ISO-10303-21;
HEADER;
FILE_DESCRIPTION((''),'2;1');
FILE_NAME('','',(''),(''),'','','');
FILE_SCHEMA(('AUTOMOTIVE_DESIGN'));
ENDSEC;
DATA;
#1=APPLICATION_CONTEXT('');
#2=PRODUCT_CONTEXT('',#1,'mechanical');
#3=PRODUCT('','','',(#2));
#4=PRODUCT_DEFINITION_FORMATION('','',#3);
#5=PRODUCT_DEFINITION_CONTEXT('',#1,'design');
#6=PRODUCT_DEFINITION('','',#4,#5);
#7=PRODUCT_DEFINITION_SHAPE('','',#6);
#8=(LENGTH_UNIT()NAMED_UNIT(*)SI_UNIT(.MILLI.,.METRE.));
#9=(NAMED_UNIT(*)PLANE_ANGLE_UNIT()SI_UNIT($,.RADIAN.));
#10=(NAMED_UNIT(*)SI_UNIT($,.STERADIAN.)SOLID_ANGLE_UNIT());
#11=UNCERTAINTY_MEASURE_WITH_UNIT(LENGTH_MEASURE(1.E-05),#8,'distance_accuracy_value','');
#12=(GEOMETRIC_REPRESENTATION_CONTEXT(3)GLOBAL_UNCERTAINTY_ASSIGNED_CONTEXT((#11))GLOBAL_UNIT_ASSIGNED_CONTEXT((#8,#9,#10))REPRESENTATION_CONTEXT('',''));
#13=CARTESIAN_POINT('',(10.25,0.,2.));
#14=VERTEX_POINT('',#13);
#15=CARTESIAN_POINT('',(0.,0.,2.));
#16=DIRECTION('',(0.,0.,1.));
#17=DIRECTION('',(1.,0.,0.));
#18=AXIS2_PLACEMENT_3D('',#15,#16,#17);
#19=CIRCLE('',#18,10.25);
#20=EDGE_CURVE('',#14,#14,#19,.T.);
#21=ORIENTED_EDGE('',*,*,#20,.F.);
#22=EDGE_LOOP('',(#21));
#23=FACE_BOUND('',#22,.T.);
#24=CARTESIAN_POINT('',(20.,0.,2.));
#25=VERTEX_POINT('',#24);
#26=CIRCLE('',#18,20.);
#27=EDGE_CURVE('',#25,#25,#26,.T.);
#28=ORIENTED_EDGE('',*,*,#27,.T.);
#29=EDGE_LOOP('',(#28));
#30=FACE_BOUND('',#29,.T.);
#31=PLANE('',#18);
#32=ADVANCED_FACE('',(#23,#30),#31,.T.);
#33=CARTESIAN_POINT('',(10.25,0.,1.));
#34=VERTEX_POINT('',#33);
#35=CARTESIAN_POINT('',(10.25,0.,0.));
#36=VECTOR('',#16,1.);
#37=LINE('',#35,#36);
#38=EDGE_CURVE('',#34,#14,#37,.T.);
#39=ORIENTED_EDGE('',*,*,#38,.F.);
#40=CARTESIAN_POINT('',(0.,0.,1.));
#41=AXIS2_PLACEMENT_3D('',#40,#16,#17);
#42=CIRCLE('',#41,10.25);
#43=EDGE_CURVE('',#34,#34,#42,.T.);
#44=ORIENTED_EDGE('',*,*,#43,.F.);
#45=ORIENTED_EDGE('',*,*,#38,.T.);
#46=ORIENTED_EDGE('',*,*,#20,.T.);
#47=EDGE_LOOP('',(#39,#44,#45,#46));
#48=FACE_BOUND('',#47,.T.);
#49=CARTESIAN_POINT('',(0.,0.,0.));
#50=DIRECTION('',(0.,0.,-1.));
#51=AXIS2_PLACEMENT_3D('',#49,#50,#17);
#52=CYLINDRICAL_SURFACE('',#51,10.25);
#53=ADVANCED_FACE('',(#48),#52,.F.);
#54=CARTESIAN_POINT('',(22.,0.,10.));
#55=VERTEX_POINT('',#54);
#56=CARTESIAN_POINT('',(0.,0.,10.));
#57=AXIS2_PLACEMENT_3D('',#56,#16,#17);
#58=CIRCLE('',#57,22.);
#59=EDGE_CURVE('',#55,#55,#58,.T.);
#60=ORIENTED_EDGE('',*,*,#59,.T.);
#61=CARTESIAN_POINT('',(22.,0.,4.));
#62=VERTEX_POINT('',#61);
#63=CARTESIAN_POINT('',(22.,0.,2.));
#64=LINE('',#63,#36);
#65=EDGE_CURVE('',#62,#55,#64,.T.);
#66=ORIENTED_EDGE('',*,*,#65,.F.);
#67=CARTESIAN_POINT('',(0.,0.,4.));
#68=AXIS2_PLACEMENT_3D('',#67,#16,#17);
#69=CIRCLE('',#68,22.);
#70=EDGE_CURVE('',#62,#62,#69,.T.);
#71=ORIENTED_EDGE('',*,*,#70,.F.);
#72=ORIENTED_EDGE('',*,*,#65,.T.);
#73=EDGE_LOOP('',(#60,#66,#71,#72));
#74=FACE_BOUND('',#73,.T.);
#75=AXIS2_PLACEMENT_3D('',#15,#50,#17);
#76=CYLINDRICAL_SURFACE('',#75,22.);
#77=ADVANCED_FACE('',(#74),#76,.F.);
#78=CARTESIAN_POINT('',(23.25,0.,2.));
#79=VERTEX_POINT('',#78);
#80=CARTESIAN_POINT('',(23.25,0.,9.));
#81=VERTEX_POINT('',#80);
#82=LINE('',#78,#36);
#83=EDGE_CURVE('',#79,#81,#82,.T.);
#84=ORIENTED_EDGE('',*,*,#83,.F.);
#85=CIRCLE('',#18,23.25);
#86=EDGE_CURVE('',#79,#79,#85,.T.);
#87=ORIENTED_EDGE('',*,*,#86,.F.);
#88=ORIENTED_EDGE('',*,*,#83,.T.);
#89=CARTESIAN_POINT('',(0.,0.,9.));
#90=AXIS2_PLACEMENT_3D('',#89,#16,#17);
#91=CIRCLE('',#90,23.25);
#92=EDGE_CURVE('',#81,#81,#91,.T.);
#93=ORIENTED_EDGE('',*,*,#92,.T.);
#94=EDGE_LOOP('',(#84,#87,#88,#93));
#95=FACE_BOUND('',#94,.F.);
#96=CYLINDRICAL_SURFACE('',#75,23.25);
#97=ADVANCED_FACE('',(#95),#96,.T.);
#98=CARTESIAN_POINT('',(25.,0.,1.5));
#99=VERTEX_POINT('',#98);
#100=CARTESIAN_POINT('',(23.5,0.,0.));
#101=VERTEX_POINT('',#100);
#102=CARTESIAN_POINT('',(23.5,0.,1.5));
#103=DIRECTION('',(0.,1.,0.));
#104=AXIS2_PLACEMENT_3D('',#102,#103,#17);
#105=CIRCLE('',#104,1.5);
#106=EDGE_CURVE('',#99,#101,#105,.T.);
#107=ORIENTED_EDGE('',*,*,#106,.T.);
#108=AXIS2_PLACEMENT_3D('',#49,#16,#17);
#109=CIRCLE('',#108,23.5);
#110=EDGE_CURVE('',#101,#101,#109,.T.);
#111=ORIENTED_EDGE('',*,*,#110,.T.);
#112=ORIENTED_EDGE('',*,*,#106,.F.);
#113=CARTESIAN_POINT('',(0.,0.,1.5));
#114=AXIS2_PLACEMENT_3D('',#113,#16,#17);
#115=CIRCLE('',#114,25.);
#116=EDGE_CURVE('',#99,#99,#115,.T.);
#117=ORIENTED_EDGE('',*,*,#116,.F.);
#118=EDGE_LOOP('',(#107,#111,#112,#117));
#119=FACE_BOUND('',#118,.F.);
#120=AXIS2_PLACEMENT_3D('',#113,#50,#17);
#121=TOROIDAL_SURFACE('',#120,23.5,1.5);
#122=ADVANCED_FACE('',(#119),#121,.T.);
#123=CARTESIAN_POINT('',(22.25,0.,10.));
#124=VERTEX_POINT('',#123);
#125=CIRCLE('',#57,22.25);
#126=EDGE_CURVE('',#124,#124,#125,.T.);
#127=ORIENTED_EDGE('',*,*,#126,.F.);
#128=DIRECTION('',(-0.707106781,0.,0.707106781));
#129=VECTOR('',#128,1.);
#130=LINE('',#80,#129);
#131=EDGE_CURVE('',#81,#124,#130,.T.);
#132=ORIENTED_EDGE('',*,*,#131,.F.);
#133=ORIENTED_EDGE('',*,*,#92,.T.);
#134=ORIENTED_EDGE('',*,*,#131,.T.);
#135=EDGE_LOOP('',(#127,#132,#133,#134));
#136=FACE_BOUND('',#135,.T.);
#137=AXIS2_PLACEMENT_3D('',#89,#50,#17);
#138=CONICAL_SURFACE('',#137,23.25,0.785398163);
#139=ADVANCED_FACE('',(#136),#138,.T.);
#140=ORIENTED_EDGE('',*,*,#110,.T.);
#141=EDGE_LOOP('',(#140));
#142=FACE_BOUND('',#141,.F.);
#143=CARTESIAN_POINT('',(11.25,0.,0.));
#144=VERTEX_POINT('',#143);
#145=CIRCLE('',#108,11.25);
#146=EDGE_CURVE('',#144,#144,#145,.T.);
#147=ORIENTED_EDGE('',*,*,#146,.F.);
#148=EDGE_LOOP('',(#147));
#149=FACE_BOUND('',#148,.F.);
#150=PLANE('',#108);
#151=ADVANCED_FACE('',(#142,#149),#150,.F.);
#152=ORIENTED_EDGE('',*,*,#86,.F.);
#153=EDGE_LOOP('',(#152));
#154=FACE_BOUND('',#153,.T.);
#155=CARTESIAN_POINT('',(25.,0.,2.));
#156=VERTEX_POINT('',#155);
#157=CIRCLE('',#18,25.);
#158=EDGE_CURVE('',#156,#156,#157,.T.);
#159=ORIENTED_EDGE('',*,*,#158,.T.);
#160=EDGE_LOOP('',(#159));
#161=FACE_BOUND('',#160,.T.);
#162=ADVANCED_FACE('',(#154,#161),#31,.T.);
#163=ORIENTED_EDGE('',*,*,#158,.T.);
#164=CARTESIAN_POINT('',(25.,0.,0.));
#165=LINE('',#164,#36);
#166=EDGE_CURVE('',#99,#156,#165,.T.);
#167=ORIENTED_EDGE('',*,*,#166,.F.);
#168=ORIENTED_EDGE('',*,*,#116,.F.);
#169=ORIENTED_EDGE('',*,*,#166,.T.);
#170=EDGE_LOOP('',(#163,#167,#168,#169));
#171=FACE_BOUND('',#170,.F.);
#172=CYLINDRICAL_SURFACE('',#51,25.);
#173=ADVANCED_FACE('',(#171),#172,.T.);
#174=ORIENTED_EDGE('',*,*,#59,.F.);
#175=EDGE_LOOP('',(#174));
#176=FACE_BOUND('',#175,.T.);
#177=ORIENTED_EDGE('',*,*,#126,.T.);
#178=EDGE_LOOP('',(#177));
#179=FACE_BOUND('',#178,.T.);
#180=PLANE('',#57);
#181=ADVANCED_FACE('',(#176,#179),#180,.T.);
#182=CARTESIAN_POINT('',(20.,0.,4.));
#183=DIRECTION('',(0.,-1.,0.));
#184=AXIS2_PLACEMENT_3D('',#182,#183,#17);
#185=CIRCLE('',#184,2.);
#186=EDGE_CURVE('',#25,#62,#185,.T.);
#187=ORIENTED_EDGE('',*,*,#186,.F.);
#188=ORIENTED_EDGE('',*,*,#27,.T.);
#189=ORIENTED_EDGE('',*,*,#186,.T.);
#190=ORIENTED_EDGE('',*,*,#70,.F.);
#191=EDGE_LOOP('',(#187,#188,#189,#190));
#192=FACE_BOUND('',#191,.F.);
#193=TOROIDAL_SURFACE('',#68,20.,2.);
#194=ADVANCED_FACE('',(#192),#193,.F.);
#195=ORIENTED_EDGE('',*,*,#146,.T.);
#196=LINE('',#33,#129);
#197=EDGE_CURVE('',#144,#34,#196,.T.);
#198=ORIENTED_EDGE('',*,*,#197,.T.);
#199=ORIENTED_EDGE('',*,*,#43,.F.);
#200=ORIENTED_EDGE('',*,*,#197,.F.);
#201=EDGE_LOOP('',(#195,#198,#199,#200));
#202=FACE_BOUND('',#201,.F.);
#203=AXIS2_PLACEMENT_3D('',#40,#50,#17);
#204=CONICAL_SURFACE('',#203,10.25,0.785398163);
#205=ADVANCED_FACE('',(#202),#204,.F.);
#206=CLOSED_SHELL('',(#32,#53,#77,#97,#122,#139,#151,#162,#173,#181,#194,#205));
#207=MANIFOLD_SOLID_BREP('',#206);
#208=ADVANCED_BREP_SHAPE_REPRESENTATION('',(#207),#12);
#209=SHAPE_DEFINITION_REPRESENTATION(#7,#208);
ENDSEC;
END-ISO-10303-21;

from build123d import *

# Parameters (mm, degrees)
F0_R     = 25
F0_R_2   = 10.25
F1_DEPTH = 2
F2_R     = 23.25
F2_R_2   = 22
F3_DEPTH = 8
F4_SIZE  = 1
F5_R     = 1.5
F6_SIZE  = 1
F7_R     = 2


with BuildPart() as f1:
    # F0 (on Top) → F1 (new body)
    with BuildSketch(Plane.XY):
        Circle(F0_R)
        Circle(F0_R_2, mode=Mode.SUBTRACT)
    extrude(amount=F1_DEPTH)

    # F2 (on face) → F3 (join)
    with BuildSketch(Plane.XY.offset(2)):
        Circle(F2_R)
        Circle(F2_R_2, mode=Mode.SUBTRACT)
    extrude(amount=F3_DEPTH)

    # F4
    f4_edges = [f1.edges().sort_by_distance(p)[0] for p in [
        (-23.25, 0, 10),
    ]]
    chamfer(f4_edges, length=F4_SIZE)

    # F5
    f5_edges = [f1.edges().sort_by_distance(p)[0] for p in [
        (-25, 0, 0),
    ]]
    fillet(f5_edges, radius=F5_R)

    # F6
    f6_edges = [f1.edges().sort_by_distance(p)[0] for p in [
        (-10.25, 0, 0),
    ]]
    chamfer(f6_edges, length=F6_SIZE)

    # F7
    f7_edges = [f1.edges().sort_by_distance(p)[0] for p in [
        (-22, 0, 2),
    ]]
    fillet(f7_edges, radius=F7_R)


solid = f1.part
